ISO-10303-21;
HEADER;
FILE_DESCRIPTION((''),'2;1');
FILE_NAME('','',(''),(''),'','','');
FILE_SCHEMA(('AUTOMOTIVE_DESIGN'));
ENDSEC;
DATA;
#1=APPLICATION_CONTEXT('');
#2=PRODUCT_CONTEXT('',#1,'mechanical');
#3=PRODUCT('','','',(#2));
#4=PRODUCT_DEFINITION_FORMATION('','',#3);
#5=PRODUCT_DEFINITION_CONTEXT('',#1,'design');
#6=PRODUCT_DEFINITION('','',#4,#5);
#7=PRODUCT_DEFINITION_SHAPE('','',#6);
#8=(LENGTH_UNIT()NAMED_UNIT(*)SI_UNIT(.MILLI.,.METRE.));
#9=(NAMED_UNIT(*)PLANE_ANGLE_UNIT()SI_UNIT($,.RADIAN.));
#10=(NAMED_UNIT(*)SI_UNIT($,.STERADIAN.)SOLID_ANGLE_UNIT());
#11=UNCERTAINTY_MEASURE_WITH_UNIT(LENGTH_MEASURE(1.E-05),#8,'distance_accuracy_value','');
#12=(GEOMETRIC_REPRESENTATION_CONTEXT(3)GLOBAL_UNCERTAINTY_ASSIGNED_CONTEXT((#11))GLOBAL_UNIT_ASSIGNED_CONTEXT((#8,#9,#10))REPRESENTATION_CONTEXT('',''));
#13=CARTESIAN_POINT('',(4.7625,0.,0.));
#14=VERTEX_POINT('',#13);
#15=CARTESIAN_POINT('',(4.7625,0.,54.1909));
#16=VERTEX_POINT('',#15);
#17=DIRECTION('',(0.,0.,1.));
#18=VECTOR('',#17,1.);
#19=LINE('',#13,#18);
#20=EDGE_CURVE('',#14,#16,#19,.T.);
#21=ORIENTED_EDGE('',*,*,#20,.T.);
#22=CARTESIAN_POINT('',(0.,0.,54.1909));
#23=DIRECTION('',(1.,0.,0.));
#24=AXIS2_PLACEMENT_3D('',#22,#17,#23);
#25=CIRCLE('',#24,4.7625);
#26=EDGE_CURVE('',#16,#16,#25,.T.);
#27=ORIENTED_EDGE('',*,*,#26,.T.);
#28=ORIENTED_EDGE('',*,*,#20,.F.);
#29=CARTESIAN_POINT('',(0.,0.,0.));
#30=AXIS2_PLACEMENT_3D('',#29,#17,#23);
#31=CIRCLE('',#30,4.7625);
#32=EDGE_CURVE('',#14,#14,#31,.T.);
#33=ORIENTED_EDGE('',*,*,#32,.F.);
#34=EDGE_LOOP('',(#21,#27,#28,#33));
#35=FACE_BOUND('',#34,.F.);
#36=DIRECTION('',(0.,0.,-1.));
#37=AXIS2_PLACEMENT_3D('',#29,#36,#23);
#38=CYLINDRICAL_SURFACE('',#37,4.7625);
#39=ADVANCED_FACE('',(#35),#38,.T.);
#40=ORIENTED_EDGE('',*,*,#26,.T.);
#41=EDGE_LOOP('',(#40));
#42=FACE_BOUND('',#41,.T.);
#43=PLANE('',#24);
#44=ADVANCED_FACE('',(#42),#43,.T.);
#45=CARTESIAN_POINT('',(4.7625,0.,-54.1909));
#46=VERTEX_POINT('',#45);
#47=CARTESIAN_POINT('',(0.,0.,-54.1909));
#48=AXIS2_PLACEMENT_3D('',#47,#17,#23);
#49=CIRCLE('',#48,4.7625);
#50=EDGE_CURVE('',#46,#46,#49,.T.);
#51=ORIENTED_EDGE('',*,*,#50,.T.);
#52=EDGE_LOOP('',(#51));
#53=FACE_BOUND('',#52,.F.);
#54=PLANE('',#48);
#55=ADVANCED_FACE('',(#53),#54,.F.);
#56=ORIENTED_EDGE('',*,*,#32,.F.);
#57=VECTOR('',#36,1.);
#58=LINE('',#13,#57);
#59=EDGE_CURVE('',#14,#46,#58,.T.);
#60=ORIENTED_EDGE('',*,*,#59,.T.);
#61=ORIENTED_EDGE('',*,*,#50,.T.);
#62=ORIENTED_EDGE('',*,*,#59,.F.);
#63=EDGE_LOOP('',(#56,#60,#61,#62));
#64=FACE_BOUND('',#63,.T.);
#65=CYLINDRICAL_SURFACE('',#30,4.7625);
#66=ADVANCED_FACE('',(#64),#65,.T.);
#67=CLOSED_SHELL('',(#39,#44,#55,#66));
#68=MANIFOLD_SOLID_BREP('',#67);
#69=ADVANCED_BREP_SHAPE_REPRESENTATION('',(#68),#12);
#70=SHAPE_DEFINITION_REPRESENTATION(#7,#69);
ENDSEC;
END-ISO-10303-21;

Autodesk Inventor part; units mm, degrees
ref_plane "YZ Plane" through (0, 0, 0) normal (1, 0, 0) x (0, 1, 0)
ref_plane "XZ Plane" through (0, 0, 0) normal (0, 1, 0) x (-1, 0, 0)
ref_plane "XY Plane" through (0, 0, 0) normal (0, 0, 1) x (1, 0, 0)
sketch "Sketch1" plane through (0, 0, 0) normal (0, 0, 1) x (1, 0, 0)
  circle A0 centre (0, 0) radius 4.7625
  dimension "d0" = 9.525
extrude "Extrusion1" add sketch "Sketch1" along normal mid plane 108.3818
properties part number "3_8_inchSteelShaft" material "Steel, Alloy"
